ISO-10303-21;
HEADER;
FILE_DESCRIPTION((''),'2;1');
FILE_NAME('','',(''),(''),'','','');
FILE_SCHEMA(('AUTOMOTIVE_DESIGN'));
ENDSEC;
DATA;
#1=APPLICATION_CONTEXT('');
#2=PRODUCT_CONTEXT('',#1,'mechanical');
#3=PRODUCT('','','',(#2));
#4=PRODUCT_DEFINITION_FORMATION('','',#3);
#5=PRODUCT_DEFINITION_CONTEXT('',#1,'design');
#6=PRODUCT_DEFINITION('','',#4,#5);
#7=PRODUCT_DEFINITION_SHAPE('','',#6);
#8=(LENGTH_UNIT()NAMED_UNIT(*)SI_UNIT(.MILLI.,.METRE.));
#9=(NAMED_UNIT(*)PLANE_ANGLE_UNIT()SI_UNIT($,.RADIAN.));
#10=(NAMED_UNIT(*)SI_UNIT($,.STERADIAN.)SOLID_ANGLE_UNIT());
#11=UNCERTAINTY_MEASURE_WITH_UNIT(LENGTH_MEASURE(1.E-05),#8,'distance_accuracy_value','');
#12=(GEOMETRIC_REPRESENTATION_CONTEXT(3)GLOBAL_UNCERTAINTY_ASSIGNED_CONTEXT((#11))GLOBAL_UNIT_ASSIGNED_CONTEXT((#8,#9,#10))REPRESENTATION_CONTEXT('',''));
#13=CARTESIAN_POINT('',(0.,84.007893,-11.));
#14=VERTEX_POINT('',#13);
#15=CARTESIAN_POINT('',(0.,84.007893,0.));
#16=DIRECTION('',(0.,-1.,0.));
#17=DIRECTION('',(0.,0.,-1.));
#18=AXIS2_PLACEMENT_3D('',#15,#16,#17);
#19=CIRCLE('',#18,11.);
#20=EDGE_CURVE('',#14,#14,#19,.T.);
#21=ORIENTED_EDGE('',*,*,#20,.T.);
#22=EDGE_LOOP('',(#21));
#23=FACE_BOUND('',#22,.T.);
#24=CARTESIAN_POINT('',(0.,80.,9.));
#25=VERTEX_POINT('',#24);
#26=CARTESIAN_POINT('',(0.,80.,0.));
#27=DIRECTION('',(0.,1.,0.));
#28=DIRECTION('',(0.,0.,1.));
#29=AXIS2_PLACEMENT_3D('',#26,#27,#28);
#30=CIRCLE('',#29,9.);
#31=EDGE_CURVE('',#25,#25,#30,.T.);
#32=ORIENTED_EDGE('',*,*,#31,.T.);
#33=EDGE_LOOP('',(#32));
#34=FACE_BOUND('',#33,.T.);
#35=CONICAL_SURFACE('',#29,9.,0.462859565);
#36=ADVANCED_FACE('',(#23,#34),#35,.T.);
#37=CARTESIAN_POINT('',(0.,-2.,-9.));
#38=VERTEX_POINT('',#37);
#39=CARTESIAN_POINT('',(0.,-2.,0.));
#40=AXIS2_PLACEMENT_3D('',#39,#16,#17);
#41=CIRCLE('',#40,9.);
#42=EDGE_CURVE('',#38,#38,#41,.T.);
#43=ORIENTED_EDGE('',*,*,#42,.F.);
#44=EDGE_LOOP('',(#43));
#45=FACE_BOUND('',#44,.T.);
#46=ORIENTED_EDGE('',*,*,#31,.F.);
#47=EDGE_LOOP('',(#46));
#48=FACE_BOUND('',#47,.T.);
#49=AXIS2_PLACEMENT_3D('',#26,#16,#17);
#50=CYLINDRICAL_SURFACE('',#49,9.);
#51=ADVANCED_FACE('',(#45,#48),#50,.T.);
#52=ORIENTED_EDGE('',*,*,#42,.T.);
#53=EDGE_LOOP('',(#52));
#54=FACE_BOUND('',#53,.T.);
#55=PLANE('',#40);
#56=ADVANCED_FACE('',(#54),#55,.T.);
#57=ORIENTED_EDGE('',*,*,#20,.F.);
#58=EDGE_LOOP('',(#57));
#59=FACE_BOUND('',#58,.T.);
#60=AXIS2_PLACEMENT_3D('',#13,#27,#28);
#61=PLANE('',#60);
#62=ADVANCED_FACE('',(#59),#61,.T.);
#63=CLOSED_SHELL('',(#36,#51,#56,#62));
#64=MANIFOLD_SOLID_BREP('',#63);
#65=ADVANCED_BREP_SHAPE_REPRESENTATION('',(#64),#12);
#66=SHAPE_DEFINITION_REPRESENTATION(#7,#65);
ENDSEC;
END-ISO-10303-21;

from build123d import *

# Parameters (mm, degrees)
SKETCH1_R           = 9
BOSS_EXTRUDE1_DEPTH = 80
BOSS_EXTRUDE2_START = 2
SKETCH2_R           = 9
BOSS_EXTRUDE2_DEPTH = 2


with BuildPart() as part:
    # Sketch1 → Boss-Extrude1 (new body)
    with BuildSketch(Plane(origin=(0, 0, 0), x_dir=(1, 0, 0), z_dir=(0, 1, 0))):
        with Locations(Location((0, 0, 0), (0, 0, 270))):
            Circle(SKETCH1_R)
    extrude(amount=BOSS_EXTRUDE1_DEPTH)

    # Sketch2 → Boss-Extrude2 (add)
    with BuildSketch(Plane.XZ.offset(BOSS_EXTRUDE2_START)):
        with Locations(Location((0, 0, 0), (0, 0, 270))):
            Circle(SKETCH2_R)
    extrude(amount=-BOSS_EXTRUDE2_DEPTH)

    # Sketch4 → Revolve1 (revolve)
    with BuildSketch(Plane(origin=(0, 0, 0), x_dir=(0, 0, -1), z_dir=(1, 0, 0))):
        Polygon((9, 80), (0, 80), (0, 84.007892879), (11, 84.007892879), align=None)
    revolve(axis=Axis((0, 75.015231433, 0), (0, 1, 0)))


solid = part.part
